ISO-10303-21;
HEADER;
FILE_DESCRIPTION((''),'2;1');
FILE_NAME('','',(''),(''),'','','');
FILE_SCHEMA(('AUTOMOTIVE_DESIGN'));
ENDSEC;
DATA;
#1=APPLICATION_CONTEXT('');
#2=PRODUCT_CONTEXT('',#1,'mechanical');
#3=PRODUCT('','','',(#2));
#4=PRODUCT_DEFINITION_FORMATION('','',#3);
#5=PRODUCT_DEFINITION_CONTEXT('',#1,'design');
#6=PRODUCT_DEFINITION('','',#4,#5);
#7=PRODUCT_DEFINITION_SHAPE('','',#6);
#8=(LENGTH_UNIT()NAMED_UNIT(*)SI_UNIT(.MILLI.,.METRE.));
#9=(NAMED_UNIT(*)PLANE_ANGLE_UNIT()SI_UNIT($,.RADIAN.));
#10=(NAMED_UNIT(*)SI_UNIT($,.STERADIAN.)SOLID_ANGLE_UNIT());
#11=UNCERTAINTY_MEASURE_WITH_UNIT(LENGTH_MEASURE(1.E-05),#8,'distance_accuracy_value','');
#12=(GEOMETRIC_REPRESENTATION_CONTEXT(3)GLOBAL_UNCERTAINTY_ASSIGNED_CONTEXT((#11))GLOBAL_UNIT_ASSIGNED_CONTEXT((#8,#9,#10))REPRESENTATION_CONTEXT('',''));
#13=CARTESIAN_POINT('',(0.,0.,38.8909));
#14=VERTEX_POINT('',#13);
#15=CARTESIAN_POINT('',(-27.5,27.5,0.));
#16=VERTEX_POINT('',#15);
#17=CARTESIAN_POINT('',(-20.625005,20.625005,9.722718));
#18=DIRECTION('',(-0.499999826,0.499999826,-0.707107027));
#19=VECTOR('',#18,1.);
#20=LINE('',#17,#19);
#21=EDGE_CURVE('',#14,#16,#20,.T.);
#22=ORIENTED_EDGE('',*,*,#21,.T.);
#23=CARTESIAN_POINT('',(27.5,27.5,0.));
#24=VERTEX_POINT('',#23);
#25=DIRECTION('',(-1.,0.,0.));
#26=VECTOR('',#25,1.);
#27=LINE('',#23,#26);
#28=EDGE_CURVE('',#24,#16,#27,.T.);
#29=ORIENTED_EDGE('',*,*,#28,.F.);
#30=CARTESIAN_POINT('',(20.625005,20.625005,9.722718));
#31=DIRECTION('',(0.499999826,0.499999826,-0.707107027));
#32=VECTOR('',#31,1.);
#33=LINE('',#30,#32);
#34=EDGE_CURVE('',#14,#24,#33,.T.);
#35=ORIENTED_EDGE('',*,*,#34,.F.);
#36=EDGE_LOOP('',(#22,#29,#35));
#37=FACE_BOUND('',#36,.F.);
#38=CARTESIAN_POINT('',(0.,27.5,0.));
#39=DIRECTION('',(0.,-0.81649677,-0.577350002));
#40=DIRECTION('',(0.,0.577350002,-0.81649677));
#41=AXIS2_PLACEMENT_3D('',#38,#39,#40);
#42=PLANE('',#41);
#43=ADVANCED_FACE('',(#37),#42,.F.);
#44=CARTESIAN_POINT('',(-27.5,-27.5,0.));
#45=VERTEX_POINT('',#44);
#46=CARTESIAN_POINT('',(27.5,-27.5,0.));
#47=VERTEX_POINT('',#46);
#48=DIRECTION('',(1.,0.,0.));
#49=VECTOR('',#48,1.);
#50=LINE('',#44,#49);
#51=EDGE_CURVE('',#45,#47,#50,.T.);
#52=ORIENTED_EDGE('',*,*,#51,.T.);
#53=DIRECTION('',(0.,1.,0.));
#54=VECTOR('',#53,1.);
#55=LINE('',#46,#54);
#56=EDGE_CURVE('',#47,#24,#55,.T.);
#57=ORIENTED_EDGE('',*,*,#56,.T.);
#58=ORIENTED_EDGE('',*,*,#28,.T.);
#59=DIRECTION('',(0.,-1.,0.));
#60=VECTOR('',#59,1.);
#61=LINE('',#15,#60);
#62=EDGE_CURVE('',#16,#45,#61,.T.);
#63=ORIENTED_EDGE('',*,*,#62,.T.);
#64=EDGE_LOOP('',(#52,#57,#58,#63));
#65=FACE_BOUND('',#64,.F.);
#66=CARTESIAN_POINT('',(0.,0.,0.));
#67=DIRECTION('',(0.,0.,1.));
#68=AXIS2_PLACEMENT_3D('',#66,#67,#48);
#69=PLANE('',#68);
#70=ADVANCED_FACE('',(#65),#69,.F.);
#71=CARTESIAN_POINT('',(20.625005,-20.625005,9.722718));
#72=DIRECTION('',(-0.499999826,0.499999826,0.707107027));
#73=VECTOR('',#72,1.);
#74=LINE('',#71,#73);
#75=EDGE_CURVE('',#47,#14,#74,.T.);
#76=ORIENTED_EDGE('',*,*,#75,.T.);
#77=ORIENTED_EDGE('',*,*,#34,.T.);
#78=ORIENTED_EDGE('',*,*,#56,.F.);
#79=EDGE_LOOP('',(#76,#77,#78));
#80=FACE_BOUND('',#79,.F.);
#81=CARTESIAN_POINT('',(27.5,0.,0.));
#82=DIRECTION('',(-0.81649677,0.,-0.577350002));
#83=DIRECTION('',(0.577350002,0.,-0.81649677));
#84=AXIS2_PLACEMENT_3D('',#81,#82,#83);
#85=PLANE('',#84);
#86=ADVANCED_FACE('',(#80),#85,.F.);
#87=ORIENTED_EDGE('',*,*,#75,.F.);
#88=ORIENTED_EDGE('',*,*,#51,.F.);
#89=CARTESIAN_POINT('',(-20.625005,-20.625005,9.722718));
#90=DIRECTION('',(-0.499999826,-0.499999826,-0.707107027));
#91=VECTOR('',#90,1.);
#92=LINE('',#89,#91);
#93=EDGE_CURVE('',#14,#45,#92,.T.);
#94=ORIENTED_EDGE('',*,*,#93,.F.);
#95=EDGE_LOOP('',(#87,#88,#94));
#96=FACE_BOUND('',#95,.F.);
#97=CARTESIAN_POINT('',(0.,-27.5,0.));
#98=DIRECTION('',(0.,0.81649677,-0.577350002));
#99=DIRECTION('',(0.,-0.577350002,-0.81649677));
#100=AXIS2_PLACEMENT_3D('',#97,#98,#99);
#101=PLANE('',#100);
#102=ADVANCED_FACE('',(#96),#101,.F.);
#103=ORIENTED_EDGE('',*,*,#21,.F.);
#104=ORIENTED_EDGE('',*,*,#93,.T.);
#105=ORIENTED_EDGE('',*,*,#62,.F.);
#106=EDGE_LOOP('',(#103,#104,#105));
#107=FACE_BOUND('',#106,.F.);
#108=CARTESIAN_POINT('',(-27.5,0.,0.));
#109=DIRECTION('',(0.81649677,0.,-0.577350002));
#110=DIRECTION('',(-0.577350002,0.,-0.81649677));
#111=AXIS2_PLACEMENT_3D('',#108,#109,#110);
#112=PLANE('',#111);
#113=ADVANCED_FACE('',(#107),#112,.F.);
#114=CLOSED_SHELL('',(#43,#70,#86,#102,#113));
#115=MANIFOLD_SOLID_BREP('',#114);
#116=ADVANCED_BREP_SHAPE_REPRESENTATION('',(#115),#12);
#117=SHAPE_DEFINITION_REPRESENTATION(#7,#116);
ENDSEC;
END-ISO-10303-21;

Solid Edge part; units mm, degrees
sketch "Sketch1" plane through (0, 0, 0) normal (0, 0, 1) x (1, 0, 0)
  line L0 (-27.5, -27.5) -> (27.5, -27.5)
  line L1 (27.5, -27.5) -> (27.5, 27.5)
  line L2 (27.5, 27.5) -> (-27.5, 27.5)
  line L3 (-27.5, 27.5) -> (-27.5, -27.5)
extrude "Protrusion1" add sketch "Sketch1" along normal up to vertex (38.8909 mm away)
sketch "Sketch2" plane through (0, 0, 0) normal (1, 0, 0) x (0, 1, 0)
  line L0 (-27.5, 0) -> (0, 38.8909)
extrude "Cutout1" cut sketch "Sketch2" along normal mid plane 82.5125 material side at (0, -13.7908, 19.4743)
pattern_circular "Pattern1" count 4 over 360 about axis through (0, 0, 0) along (0, 0, -1) of "Cutout1"
